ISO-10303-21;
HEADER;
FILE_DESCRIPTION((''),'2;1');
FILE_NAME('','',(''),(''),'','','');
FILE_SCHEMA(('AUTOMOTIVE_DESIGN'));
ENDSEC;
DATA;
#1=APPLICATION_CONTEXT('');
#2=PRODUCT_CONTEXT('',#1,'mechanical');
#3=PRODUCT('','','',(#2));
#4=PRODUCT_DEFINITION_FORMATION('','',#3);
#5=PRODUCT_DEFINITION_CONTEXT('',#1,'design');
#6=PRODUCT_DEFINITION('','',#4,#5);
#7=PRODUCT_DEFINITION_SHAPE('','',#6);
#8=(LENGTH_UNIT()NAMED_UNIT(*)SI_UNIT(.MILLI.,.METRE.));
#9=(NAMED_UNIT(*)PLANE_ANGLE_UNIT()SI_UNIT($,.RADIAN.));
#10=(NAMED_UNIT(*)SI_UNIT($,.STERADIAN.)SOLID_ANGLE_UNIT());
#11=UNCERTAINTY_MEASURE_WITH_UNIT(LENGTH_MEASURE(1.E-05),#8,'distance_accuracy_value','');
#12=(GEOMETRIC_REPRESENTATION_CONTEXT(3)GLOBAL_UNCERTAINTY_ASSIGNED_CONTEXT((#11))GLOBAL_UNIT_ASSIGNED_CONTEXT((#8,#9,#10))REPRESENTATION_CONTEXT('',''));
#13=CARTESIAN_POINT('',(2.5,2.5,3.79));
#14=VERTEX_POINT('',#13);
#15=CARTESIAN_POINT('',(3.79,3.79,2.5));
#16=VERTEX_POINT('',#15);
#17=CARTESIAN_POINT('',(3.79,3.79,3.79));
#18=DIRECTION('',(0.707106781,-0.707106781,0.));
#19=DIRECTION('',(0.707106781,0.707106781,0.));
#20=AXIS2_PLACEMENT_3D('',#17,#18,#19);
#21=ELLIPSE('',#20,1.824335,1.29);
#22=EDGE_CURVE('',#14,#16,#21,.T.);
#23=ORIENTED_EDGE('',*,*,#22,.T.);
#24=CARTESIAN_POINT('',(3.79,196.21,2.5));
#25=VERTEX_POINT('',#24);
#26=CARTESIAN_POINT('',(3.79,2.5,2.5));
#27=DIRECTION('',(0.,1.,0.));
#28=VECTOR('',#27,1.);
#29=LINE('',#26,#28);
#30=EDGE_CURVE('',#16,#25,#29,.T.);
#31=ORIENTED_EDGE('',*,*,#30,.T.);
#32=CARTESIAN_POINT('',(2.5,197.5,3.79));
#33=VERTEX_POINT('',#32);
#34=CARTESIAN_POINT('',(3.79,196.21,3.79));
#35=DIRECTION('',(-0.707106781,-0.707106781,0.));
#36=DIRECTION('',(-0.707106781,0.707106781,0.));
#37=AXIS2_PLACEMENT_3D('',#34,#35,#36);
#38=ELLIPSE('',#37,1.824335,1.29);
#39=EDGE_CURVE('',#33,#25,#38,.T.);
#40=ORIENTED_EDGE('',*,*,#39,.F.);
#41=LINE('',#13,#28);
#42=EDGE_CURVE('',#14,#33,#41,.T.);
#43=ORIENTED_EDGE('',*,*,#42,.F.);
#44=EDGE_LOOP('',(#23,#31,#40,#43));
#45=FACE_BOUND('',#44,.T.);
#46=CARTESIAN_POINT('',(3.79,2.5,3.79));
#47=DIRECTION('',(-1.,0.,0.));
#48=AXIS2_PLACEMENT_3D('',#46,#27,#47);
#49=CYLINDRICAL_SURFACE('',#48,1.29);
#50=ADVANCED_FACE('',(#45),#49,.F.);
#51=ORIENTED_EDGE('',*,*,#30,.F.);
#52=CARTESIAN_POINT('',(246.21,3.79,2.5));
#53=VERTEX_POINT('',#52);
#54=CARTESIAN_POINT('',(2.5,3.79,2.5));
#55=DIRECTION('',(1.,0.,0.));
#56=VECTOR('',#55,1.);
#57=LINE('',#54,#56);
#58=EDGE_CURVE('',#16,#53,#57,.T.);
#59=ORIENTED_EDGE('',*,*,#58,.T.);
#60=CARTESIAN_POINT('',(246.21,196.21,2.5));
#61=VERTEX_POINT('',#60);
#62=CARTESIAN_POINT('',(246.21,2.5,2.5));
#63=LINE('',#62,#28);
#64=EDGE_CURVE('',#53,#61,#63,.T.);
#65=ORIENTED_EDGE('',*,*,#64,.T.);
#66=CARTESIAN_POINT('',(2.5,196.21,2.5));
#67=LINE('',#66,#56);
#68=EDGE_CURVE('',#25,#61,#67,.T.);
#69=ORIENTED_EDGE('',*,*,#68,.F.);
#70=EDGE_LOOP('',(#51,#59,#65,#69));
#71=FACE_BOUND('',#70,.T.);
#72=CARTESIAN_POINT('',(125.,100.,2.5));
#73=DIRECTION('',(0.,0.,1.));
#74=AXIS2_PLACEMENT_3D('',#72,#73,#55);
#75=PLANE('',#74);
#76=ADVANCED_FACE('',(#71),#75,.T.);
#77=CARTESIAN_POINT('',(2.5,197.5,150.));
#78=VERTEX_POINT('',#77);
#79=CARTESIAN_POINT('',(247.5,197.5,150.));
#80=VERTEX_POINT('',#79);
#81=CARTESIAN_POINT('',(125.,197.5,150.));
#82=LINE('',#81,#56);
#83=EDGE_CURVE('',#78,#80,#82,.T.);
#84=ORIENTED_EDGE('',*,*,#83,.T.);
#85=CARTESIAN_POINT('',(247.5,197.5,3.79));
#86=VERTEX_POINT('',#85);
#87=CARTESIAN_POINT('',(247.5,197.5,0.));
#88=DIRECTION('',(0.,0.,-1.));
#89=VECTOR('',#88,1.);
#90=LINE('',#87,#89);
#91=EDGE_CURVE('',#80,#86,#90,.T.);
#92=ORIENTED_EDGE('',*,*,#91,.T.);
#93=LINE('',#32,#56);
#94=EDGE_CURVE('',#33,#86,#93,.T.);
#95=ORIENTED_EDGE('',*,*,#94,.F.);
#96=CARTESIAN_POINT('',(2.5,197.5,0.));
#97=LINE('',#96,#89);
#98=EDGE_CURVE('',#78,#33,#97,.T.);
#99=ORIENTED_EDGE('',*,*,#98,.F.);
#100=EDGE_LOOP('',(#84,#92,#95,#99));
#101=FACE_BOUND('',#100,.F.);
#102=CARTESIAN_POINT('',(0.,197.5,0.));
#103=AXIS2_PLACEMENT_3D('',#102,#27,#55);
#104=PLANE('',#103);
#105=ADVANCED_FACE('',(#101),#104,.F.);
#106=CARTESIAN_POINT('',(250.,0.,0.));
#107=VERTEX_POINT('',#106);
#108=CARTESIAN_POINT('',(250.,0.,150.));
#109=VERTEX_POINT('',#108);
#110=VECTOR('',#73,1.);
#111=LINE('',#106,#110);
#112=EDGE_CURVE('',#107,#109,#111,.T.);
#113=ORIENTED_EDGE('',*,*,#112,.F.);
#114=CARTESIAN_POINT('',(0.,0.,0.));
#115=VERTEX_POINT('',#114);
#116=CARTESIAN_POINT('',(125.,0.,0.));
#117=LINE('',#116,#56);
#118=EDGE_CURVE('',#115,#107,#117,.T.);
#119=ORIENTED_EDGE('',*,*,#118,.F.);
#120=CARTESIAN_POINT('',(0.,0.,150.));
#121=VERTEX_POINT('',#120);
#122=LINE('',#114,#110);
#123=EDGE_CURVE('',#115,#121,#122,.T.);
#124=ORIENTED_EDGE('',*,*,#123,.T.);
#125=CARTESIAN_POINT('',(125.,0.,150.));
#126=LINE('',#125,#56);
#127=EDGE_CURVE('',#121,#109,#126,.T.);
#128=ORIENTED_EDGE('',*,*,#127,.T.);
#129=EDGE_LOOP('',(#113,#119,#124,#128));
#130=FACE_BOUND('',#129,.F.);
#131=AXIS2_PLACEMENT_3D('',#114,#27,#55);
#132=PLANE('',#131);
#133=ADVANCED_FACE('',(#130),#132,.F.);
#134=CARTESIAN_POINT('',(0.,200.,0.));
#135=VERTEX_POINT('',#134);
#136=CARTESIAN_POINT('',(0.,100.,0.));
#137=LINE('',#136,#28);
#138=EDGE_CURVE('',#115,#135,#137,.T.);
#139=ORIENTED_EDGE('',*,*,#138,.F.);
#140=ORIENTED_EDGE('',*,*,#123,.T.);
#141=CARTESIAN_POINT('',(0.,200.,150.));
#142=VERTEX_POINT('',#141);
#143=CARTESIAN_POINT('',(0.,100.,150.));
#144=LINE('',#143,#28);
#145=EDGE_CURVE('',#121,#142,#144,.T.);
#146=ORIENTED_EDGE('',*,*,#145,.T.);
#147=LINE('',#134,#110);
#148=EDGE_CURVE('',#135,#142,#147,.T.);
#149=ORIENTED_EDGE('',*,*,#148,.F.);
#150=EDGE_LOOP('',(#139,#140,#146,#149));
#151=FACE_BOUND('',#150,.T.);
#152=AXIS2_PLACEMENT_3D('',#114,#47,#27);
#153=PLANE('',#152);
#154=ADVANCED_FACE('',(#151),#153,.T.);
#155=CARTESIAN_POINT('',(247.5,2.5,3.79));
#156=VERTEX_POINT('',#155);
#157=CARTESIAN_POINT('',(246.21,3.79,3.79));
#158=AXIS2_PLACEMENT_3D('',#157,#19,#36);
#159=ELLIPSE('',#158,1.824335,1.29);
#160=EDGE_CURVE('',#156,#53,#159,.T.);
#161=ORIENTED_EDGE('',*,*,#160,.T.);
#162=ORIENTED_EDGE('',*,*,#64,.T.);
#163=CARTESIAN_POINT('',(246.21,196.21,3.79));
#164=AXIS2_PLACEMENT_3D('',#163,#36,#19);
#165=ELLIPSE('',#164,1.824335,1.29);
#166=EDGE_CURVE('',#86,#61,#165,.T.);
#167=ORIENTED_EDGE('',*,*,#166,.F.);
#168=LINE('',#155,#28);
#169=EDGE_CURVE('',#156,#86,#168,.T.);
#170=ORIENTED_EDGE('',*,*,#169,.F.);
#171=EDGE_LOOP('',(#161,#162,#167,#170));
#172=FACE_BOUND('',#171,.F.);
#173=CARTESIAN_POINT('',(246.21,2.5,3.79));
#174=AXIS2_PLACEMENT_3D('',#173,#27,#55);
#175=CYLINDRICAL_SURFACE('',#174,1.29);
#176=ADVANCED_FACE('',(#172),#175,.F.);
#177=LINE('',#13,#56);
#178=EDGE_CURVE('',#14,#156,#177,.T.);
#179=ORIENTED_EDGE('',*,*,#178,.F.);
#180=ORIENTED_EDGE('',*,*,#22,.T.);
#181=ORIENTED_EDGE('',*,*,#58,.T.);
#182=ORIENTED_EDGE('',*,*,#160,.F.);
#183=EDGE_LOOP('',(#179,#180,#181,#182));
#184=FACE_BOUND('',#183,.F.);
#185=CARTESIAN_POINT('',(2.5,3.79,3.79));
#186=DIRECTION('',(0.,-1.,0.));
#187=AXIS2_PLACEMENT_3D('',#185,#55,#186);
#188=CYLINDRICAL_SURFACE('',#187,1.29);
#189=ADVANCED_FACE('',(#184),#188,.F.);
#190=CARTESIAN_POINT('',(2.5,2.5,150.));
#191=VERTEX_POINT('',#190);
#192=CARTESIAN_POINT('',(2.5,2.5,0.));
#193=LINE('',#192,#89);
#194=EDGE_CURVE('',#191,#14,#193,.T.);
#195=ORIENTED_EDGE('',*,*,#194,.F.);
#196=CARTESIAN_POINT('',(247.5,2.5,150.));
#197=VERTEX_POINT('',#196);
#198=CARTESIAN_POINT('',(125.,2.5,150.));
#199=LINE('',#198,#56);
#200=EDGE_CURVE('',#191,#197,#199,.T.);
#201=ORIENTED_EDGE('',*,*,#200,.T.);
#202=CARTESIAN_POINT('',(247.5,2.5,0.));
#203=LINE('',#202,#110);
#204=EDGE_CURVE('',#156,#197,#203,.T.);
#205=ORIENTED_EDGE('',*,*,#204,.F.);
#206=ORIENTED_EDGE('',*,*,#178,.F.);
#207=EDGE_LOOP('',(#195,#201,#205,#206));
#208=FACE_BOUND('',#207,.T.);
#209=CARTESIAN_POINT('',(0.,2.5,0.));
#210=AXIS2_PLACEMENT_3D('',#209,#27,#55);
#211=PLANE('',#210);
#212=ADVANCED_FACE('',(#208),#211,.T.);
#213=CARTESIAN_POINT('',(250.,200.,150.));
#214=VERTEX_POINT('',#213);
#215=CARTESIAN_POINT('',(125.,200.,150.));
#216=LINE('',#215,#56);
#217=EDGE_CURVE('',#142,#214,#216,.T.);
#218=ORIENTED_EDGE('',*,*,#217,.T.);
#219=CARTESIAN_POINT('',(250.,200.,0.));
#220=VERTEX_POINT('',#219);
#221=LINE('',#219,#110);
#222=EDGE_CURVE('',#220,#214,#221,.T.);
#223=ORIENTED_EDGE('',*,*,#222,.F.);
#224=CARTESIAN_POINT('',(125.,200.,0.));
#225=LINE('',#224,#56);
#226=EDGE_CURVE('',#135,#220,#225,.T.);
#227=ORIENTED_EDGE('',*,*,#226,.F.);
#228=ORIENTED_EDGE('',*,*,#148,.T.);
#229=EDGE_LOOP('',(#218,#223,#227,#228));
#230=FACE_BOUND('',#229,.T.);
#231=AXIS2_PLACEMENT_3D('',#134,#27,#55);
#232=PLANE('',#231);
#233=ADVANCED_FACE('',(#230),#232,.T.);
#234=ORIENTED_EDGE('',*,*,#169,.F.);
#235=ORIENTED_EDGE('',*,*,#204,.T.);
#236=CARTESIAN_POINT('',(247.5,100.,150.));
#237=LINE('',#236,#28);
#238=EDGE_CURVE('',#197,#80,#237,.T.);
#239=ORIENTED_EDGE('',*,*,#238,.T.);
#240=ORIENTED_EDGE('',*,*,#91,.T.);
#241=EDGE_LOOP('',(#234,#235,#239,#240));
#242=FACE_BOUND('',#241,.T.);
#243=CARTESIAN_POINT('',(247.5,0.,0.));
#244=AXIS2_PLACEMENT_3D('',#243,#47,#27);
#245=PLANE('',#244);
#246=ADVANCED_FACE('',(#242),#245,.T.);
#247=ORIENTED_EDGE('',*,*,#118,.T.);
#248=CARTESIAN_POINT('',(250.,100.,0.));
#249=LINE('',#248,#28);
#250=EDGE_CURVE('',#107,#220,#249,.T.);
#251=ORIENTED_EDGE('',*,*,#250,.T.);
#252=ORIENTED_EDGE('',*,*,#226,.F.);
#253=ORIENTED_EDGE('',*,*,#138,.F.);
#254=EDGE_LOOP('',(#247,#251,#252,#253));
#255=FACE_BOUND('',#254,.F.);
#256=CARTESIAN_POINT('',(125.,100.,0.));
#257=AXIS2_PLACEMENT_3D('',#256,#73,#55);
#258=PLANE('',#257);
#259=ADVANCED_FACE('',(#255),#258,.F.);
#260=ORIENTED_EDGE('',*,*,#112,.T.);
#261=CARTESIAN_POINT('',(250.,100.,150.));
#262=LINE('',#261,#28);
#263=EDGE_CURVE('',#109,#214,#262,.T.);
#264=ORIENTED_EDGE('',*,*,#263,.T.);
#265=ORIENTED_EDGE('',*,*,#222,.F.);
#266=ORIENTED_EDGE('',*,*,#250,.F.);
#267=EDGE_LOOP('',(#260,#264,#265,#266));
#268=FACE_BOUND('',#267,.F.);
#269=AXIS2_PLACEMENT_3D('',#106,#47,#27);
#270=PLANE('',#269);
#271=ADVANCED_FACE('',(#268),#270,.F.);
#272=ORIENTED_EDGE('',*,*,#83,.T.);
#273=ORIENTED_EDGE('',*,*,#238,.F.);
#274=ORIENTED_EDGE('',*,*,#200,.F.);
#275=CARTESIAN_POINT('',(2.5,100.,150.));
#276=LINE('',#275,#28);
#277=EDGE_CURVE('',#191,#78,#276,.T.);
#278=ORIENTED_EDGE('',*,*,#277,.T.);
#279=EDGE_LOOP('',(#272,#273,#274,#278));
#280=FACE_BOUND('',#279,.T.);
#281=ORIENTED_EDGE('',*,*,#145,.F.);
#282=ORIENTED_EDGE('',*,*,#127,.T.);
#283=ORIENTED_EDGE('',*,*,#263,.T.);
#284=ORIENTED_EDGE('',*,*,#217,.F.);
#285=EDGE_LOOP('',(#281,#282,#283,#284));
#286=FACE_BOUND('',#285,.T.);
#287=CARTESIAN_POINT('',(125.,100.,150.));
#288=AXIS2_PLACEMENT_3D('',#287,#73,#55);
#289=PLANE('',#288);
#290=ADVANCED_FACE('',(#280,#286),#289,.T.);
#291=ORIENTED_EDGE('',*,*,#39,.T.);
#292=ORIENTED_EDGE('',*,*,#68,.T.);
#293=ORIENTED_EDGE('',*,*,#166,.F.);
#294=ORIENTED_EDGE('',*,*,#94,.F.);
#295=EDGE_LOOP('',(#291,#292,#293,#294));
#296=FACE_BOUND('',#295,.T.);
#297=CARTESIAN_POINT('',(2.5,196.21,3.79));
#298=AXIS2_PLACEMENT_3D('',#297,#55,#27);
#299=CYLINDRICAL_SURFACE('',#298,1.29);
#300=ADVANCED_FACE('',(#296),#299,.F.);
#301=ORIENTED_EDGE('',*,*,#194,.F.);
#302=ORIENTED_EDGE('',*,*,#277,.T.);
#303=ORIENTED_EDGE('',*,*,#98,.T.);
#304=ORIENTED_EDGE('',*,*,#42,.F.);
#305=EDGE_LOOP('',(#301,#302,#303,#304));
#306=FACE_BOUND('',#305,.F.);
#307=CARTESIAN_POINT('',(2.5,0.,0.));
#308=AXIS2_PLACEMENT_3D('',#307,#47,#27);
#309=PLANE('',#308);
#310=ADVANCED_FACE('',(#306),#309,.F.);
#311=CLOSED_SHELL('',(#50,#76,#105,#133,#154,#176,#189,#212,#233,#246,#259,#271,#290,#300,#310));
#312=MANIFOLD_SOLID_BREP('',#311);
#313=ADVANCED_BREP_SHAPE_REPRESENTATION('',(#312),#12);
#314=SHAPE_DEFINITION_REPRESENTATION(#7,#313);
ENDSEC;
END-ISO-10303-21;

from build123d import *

# Parameters (mm, degrees)
F0_W     = 250
F0_H     = 200
F1_DEPTH = 150
F2_T     = -2.5
F3_R     = 1.29


with BuildPart() as f1:
    # F0 (on Top) → F1 (new body)
    with BuildSketch(Plane.XY):
        with Locations((125, 100)):
            Rectangle(F0_W, F0_H)
    extrude(amount=F1_DEPTH)

    # F2
    f2_openings = [f1.faces().sort_by_distance(p)[0] for p in [
        (125, 100, 150),
    ]]
    offset(amount=F2_T, openings=f2_openings)

    # F3
    f3_edges = [f1.edges().sort_by_distance(p)[0] for p in [
        (2.5, 100, 2.5),
        (125, 197.5, 2.5),
        (247.5, 100, 2.5),
        (125, 2.5, 2.5),
    ]]
    fillet(f3_edges, radius=F3_R)


solid = f1.part
